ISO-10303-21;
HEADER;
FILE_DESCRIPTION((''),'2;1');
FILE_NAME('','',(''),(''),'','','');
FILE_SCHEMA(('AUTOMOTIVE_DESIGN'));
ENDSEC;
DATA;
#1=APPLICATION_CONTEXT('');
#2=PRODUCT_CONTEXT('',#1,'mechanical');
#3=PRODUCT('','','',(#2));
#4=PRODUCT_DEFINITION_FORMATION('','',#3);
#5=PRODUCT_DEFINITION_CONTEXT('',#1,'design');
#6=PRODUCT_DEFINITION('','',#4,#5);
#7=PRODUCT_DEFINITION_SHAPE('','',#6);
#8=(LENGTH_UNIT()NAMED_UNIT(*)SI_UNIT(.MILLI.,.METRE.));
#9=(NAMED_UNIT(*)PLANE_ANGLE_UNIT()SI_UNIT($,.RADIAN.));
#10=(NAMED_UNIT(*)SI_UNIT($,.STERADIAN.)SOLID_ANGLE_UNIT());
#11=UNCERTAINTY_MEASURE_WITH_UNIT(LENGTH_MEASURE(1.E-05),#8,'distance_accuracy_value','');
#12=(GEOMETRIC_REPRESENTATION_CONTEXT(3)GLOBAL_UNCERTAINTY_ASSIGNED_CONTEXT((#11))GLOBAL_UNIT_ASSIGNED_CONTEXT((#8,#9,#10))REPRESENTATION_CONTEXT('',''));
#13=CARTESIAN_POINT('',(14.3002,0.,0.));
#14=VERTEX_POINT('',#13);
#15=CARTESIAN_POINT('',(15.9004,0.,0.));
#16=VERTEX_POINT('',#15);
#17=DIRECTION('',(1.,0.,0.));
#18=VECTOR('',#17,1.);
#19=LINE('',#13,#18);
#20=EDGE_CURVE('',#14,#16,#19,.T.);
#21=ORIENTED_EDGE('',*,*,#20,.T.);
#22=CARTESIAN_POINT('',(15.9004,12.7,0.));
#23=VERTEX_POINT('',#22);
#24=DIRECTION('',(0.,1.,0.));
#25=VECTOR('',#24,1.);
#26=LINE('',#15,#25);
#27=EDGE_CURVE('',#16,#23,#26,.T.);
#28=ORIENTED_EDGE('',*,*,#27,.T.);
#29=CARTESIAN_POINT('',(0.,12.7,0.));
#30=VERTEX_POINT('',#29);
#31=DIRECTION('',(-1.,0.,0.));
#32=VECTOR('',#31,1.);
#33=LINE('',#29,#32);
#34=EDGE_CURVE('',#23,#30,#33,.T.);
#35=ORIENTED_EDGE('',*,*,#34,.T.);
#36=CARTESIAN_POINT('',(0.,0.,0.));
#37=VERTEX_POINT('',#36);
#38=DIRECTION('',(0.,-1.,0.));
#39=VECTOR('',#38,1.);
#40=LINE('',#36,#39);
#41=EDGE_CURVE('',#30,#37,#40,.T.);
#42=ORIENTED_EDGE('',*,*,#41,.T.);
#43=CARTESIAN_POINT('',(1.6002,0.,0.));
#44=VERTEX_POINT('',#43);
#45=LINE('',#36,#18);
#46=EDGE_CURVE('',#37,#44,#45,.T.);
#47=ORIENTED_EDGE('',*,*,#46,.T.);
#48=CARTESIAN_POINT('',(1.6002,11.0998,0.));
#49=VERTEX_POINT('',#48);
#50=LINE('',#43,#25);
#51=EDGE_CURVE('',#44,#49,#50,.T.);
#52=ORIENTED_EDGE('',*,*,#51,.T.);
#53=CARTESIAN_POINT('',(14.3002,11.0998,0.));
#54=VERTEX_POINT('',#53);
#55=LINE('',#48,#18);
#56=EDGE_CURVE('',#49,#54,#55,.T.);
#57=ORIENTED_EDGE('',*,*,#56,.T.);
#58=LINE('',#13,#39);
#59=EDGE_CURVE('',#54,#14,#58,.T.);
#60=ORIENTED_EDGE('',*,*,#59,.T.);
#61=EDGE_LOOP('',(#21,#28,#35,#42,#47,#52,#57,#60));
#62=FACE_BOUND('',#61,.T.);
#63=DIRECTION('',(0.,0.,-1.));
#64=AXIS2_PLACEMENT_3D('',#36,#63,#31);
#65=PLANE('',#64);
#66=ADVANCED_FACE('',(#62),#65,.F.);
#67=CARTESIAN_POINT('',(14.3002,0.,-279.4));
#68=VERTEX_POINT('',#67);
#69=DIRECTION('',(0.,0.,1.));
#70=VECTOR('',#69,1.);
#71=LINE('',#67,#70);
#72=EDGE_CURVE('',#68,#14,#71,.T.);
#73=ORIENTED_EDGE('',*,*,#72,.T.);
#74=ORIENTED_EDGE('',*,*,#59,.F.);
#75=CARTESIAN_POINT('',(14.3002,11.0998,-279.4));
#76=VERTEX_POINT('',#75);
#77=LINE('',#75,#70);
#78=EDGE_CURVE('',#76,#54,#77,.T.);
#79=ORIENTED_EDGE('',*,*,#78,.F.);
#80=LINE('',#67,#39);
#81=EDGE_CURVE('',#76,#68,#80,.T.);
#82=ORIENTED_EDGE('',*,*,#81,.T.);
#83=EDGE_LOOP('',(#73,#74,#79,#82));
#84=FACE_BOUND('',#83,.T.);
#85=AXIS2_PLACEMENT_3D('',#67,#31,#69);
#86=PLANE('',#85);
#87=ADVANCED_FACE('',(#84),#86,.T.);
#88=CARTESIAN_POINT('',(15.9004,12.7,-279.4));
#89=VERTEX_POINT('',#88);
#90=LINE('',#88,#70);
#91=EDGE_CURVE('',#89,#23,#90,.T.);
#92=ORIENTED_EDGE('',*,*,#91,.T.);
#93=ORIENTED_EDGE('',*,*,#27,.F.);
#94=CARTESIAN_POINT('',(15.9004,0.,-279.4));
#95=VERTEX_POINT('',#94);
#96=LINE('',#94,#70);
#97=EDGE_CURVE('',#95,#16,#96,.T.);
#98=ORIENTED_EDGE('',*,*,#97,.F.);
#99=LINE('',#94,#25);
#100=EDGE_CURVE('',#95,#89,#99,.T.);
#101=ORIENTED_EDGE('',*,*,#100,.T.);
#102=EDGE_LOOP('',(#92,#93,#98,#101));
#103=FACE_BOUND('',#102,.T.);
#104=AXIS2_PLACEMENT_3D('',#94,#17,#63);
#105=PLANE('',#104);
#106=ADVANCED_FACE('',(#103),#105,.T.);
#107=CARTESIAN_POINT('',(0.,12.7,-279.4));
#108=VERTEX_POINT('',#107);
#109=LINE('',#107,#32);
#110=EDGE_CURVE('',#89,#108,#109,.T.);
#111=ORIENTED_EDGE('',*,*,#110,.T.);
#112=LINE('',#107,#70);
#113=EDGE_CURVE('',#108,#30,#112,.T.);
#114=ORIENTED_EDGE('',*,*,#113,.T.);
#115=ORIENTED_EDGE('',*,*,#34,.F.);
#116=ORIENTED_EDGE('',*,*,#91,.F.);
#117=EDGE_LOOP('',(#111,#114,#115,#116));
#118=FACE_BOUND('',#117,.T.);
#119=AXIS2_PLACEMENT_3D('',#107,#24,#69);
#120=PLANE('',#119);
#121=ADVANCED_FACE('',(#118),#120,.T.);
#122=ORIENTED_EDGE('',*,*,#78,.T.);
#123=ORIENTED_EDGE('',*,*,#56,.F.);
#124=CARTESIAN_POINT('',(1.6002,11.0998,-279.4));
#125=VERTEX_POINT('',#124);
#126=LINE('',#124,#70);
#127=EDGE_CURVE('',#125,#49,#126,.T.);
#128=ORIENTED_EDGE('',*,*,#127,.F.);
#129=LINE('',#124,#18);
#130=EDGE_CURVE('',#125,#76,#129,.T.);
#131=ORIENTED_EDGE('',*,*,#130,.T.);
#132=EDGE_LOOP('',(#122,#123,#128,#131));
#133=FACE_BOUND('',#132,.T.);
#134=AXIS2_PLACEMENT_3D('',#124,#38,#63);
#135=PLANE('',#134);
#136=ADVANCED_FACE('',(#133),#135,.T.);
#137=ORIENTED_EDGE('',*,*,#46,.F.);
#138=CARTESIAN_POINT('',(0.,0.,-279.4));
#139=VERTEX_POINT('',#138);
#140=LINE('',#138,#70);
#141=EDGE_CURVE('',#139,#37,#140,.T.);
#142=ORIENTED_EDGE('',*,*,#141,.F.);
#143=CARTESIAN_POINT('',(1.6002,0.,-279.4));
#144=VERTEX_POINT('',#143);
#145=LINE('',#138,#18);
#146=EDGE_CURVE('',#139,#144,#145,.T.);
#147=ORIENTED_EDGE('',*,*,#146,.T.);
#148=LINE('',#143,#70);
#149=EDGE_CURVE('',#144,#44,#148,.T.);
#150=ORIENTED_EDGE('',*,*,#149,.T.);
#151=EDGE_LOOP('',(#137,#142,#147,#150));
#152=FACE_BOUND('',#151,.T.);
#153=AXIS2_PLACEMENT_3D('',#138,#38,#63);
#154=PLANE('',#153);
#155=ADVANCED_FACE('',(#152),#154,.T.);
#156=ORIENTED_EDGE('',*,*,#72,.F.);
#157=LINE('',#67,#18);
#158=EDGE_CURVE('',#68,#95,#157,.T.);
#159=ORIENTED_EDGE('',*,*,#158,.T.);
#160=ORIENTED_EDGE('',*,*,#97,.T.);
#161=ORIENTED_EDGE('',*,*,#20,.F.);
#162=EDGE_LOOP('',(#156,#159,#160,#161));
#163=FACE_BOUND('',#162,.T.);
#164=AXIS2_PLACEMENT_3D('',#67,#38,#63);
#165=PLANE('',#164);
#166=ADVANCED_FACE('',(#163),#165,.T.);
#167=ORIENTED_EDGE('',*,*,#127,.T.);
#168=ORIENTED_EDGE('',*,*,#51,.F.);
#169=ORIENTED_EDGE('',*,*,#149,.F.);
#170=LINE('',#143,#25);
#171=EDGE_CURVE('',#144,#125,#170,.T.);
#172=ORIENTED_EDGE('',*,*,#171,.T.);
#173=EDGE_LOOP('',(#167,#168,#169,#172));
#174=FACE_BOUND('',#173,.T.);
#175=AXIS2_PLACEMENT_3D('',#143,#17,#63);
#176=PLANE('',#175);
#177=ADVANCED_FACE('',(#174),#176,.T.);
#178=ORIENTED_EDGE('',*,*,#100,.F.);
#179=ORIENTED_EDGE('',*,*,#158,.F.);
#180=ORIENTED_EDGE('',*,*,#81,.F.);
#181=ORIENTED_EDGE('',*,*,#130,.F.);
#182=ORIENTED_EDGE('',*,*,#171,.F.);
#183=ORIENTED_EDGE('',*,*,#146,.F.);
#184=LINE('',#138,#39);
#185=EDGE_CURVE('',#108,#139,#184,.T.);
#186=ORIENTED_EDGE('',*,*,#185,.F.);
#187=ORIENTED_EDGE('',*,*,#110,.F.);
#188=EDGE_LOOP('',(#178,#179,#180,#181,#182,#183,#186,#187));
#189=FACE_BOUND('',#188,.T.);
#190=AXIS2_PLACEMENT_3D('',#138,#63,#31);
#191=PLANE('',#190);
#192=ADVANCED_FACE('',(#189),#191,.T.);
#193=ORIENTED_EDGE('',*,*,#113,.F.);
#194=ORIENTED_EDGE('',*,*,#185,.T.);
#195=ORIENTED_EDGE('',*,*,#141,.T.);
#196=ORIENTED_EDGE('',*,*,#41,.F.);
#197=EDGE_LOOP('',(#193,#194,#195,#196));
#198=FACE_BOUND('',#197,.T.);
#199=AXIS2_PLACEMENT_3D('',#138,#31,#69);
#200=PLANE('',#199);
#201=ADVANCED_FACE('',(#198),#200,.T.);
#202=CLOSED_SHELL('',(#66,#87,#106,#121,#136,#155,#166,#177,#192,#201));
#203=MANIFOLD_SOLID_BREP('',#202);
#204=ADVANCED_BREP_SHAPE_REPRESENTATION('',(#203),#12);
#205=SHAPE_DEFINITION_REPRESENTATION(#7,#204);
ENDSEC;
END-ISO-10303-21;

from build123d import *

# Parameters (mm, degrees)
BOSS_EXTRUDE1_DEPTH = 279.4


with BuildPart() as part:
    # Sketch1 → Boss-Extrude1 (new body)
    with BuildSketch(Plane.XY):
        Polygon((14.3002, 0), (15.9004, 0), (15.9004, 12.7), (0, 12.7), (0, 0), (1.6002, 0), (1.6002, 11.0998), (14.3002, 11.0998), align=None)
    extrude(amount=-BOSS_EXTRUDE1_DEPTH)


solid = part.part
